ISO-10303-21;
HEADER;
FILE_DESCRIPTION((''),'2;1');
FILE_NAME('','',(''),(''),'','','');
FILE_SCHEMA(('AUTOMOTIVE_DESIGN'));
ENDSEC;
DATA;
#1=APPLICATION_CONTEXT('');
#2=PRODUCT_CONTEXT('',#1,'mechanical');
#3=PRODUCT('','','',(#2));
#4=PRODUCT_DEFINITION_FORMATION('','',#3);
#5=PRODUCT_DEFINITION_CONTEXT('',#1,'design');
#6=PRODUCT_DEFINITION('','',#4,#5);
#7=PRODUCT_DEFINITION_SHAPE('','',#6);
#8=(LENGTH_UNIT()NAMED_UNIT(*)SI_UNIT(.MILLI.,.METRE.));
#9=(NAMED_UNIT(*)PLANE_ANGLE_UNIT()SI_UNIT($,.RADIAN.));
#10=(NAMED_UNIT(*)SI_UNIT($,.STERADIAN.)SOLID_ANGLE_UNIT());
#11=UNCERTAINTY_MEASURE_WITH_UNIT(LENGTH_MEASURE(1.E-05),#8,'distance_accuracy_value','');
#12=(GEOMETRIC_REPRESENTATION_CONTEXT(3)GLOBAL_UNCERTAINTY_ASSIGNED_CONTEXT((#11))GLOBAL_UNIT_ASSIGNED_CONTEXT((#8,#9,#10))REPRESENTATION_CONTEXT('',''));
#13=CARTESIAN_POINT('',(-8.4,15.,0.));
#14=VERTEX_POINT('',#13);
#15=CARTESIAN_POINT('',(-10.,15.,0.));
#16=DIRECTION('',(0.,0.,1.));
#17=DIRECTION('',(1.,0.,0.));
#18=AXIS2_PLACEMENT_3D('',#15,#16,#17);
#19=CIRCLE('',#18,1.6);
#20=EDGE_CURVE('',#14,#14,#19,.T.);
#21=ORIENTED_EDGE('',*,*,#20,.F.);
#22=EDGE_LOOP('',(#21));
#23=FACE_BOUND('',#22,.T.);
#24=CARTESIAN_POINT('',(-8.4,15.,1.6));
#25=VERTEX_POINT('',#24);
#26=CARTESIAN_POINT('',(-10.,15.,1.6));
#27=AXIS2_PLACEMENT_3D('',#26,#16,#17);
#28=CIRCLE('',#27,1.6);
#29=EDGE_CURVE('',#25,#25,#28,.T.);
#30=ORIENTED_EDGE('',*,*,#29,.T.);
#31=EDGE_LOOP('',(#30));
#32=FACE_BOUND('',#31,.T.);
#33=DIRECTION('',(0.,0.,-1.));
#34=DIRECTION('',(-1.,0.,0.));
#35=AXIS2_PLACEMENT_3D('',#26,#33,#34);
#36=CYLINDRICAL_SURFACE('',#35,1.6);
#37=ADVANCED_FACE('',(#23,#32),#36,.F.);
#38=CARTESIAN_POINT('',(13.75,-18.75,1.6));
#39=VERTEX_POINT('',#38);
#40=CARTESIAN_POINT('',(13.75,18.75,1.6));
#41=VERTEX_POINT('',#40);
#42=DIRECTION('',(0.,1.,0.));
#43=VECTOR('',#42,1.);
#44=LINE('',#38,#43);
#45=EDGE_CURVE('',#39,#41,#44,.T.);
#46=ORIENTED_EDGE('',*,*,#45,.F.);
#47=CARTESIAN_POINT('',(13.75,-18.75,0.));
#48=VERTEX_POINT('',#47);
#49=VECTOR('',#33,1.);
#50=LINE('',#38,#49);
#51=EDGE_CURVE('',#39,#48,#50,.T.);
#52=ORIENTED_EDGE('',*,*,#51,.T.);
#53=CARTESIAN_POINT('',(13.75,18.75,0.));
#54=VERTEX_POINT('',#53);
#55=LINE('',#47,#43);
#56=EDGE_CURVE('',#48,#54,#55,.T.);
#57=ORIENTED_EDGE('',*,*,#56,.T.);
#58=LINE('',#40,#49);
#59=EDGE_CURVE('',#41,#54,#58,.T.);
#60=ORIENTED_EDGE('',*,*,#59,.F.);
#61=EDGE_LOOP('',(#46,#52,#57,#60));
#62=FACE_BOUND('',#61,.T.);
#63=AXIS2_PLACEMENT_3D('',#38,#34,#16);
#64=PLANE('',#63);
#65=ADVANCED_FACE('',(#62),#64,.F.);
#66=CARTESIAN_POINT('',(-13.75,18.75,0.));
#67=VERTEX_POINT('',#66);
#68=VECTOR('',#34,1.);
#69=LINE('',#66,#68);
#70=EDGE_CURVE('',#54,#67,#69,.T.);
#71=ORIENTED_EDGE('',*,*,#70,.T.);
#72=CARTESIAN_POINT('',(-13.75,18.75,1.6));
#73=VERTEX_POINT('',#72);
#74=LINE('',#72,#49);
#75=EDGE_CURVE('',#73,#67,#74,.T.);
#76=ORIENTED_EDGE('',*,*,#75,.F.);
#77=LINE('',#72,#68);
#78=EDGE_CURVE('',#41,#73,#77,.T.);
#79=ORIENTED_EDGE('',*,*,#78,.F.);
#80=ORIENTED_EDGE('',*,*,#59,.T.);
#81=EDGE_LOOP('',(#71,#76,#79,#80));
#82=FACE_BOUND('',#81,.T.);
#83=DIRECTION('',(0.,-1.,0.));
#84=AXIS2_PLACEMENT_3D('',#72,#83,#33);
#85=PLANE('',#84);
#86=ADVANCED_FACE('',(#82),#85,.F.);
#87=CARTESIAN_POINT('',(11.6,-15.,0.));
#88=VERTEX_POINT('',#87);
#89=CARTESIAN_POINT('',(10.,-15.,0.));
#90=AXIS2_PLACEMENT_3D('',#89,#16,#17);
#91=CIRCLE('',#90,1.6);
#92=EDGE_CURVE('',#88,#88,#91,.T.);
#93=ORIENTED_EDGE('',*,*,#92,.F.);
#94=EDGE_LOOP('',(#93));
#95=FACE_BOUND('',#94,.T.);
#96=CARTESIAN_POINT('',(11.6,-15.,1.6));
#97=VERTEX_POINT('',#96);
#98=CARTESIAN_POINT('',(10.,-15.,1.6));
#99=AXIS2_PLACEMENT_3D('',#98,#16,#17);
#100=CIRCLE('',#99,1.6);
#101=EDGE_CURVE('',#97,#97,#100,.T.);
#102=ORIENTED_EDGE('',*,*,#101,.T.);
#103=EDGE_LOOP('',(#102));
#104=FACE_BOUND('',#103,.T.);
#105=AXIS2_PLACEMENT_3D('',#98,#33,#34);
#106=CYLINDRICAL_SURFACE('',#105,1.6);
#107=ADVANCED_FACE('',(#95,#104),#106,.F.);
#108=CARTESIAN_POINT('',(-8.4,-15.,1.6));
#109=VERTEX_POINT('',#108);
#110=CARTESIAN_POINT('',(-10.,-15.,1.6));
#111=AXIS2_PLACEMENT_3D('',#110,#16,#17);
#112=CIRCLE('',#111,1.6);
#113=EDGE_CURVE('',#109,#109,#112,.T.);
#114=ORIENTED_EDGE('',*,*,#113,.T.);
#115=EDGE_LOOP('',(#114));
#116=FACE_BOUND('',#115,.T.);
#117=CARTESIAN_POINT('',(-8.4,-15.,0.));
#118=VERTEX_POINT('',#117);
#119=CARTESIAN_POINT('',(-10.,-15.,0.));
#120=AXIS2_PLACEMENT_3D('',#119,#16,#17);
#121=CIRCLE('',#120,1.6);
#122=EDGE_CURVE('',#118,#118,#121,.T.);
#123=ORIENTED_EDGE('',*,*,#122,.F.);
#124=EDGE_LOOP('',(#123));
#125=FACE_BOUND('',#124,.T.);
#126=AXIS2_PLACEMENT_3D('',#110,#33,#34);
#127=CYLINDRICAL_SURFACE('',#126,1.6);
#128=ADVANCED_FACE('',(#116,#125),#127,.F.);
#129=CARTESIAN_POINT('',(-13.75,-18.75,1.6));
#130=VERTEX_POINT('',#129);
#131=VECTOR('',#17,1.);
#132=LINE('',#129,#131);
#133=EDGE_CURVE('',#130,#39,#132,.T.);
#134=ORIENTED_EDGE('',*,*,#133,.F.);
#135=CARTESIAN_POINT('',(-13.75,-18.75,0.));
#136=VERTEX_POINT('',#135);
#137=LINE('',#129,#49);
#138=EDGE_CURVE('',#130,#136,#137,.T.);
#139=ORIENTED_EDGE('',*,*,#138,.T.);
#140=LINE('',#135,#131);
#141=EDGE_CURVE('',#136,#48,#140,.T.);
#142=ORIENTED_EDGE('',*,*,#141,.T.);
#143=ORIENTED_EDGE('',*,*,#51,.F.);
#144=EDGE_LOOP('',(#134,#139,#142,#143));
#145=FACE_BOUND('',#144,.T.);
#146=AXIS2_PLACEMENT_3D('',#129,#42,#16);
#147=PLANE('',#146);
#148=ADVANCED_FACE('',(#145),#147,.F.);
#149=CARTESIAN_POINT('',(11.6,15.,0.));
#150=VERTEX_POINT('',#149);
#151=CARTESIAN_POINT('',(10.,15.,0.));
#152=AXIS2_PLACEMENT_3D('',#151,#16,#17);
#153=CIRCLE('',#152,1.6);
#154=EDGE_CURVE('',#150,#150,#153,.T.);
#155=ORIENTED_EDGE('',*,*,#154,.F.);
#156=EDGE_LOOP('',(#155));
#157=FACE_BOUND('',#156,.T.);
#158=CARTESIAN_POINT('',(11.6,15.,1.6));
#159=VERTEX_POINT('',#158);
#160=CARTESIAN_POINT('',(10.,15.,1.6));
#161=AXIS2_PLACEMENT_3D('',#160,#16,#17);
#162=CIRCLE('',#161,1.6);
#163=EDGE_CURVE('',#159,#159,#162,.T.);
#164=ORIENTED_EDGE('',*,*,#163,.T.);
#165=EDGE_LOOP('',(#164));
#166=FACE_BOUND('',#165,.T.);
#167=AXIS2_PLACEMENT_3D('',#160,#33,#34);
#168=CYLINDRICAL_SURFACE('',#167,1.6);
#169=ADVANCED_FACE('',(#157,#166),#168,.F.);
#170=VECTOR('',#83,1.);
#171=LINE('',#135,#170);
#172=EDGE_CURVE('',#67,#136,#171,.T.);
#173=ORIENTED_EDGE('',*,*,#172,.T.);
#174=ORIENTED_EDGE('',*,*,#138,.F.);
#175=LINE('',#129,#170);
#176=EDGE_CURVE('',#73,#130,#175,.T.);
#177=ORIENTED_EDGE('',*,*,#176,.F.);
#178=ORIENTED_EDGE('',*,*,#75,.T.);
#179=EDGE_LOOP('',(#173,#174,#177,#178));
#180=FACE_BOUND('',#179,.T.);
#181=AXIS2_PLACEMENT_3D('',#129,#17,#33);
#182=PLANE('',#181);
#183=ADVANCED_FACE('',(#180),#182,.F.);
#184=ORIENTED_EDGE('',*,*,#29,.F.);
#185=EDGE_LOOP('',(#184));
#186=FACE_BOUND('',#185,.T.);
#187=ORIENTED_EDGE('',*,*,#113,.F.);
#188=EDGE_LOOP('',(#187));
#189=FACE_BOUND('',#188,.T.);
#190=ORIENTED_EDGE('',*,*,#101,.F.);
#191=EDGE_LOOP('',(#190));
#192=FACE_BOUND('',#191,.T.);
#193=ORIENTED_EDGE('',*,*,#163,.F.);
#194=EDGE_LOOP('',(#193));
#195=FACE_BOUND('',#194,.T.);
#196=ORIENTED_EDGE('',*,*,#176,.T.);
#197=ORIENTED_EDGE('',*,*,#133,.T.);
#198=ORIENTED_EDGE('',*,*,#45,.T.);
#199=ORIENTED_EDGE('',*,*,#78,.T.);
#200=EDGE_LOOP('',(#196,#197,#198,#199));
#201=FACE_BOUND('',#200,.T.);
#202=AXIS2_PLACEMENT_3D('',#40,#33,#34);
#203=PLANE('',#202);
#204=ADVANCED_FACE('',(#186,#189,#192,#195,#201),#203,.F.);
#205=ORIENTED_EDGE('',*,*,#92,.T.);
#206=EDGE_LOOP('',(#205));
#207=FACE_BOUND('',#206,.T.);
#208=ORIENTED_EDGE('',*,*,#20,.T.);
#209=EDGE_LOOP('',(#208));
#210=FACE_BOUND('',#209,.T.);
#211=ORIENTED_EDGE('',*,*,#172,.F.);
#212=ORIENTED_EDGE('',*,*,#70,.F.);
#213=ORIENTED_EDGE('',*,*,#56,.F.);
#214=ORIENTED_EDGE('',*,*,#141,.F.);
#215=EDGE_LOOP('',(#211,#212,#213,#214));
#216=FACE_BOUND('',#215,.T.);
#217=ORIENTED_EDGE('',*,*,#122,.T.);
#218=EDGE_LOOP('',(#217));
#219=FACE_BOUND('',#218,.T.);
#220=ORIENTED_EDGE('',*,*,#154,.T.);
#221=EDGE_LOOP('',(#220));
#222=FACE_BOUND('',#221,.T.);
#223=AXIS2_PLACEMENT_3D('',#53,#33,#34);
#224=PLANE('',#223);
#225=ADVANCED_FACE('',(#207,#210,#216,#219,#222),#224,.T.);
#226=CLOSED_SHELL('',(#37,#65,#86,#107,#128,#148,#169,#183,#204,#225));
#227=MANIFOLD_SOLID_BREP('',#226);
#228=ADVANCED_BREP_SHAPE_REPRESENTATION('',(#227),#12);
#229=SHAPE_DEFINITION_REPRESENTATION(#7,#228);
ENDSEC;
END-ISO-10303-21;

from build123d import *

# Parameters (mm, degrees)
SKETCH_1_W      = 27.5
SKETCH_1_H      = 37.5
SKETCH_1_R      = 1.6
EXTRUDE_1_DEPTH = 1.6


with BuildPart() as part:
    # Эскиз1 → Бобышка-Вытянуть1 (new body)
    with BuildSketch(Plane.XY):
        Rectangle(SKETCH_1_W, SKETCH_1_H)
        with Locations((-10, 15)):
            Circle(SKETCH_1_R, mode=Mode.SUBTRACT)
        with Locations((10, 15)):
            Circle(SKETCH_1_R, mode=Mode.SUBTRACT)
        with Locations((10, -15)):
            Circle(SKETCH_1_R, mode=Mode.SUBTRACT)
        with Locations((-10, -15)):
            Circle(SKETCH_1_R, mode=Mode.SUBTRACT)
    extrude(amount=EXTRUDE_1_DEPTH)


solid = part.part
